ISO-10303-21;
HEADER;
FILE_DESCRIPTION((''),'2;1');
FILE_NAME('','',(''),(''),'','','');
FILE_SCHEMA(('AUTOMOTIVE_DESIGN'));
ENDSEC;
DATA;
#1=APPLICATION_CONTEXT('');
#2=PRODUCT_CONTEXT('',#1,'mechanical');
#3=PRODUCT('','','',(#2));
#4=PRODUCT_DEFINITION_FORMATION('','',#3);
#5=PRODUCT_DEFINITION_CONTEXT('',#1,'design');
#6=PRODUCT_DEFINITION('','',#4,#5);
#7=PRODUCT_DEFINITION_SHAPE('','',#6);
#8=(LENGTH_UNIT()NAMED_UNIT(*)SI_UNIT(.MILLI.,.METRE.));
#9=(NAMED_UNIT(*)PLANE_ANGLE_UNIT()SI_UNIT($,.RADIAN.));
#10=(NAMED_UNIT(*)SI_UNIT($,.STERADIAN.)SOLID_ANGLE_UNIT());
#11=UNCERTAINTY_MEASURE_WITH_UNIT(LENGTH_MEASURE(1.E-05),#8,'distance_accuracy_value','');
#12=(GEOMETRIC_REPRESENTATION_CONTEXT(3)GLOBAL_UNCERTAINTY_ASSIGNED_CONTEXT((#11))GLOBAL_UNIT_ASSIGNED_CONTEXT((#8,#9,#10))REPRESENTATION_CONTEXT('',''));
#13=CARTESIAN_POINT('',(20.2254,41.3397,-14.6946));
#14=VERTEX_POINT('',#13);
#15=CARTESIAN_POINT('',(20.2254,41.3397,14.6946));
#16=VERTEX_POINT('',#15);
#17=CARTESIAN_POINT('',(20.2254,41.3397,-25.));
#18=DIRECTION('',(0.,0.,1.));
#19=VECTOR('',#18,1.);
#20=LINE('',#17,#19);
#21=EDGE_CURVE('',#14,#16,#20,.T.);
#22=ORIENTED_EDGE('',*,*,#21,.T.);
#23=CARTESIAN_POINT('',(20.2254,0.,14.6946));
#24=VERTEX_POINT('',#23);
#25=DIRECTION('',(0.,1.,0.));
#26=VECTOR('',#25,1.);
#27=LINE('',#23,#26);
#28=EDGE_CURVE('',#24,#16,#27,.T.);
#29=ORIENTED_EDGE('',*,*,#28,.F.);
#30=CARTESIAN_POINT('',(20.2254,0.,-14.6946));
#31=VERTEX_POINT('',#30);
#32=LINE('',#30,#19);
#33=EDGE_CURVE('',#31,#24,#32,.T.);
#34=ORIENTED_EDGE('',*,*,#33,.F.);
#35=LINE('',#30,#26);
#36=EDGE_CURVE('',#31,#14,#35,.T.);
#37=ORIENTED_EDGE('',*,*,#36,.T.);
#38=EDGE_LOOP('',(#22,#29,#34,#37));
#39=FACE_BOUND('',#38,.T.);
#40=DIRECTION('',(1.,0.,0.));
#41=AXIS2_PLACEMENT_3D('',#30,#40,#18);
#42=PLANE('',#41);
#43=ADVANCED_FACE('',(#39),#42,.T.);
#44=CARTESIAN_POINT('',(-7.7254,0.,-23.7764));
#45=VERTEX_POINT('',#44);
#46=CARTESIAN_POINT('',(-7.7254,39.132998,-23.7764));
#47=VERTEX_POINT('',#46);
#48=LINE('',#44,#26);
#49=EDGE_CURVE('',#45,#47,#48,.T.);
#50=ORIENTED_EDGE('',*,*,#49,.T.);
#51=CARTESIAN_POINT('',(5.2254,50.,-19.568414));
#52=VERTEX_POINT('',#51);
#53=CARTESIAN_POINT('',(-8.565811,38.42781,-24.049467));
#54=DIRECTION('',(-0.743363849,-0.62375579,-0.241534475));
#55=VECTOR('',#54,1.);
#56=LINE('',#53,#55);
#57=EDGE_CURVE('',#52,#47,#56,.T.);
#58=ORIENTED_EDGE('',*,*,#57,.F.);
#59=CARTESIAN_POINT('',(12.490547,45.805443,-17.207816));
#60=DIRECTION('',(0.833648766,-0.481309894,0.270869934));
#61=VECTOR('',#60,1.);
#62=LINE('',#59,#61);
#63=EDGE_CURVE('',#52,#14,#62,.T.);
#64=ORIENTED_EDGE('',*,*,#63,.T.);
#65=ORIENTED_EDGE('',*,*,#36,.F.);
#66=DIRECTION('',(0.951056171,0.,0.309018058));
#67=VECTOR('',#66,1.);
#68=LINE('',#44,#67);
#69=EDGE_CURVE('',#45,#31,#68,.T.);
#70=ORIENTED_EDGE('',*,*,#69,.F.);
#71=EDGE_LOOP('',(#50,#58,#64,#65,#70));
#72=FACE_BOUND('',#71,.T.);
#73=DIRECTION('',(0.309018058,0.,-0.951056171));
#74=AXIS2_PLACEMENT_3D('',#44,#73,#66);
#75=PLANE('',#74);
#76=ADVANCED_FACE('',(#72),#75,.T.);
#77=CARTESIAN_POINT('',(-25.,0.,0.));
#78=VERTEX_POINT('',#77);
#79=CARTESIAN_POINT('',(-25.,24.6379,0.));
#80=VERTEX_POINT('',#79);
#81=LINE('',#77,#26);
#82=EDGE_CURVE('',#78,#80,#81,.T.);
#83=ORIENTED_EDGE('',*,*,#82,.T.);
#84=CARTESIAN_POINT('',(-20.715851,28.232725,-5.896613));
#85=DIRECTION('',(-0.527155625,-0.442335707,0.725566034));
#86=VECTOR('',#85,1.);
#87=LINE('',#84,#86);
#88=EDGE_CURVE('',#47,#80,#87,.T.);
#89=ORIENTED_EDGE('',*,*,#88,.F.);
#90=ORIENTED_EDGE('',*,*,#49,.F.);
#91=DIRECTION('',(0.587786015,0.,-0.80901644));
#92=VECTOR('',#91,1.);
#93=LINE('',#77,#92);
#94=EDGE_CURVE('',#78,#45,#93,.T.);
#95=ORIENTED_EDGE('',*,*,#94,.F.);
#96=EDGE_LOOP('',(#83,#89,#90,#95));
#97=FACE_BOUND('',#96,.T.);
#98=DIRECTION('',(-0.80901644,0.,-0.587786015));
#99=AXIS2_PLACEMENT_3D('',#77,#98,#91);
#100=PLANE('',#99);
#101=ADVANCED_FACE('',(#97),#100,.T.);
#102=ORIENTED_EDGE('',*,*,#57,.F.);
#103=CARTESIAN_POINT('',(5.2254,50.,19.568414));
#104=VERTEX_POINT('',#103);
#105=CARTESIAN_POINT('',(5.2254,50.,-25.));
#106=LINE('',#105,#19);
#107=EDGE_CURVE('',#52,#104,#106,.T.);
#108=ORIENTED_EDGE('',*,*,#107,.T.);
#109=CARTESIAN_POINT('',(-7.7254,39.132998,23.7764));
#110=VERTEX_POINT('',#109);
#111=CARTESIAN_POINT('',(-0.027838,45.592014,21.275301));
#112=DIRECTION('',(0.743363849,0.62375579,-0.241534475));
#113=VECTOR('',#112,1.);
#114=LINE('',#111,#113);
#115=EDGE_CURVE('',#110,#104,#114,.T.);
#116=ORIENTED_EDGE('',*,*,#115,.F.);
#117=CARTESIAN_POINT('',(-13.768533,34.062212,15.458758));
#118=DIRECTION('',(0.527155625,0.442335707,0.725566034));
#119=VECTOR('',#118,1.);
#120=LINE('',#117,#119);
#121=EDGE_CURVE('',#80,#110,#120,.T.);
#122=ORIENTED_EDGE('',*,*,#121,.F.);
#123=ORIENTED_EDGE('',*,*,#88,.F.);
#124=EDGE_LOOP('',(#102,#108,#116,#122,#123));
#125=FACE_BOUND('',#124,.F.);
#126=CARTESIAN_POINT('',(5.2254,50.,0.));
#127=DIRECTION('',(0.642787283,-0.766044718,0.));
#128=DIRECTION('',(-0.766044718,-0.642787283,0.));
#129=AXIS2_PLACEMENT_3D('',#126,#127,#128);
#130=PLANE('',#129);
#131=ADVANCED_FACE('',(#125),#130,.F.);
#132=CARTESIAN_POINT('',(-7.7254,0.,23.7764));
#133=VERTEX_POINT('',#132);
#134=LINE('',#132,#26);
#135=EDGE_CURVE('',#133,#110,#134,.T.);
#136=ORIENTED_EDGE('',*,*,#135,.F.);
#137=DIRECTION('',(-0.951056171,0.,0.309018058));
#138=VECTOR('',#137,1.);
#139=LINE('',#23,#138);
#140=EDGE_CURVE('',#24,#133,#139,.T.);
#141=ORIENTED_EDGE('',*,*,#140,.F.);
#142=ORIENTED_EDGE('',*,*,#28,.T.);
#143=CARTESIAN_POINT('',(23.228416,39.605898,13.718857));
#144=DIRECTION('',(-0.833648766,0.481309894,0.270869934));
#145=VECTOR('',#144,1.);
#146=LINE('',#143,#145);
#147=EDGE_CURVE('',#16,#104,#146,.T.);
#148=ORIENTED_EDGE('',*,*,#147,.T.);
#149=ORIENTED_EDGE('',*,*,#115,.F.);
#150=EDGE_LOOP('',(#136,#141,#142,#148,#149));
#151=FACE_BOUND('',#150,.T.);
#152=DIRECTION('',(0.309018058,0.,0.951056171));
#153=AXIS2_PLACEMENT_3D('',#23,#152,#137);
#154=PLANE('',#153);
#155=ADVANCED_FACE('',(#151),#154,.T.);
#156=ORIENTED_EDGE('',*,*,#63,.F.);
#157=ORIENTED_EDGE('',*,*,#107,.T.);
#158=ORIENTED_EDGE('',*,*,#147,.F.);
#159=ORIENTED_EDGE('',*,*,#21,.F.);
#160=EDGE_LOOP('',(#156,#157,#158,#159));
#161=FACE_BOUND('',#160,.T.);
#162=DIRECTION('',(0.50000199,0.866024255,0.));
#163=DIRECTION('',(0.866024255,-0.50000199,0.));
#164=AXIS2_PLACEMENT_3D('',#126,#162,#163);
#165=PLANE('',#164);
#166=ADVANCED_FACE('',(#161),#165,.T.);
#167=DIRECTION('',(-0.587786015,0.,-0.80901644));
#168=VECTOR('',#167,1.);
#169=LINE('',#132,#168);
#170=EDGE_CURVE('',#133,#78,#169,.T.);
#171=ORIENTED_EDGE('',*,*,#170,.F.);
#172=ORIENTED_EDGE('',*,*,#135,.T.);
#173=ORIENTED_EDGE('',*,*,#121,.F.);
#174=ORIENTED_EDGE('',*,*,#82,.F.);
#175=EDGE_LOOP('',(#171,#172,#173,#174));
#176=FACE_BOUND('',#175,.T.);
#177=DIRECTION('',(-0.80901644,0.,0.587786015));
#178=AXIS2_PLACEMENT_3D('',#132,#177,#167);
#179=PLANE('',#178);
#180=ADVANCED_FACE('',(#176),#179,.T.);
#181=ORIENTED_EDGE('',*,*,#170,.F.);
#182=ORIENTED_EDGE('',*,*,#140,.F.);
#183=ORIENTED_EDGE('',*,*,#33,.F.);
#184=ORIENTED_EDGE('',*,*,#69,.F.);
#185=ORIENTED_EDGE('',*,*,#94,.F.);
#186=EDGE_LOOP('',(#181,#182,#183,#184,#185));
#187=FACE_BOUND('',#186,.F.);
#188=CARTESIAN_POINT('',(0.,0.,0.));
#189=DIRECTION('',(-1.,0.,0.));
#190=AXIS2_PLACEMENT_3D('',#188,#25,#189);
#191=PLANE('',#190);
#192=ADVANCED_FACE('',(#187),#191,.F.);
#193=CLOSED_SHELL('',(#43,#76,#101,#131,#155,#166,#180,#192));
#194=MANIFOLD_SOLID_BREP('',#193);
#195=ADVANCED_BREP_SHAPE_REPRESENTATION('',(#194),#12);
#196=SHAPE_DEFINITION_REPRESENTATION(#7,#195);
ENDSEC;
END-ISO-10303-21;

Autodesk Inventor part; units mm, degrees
ref_plane "YZ Plane" through (0, 0, 0) normal (1, 0, 0) x (0, 1, 0)
ref_plane "XZ Plane" through (0, 0, 0) normal (0, 1, 0) x (-1, 0, 0)
ref_plane "XY Plane" through (0, 0, 0) normal (0, 0, 1) x (1, 0, 0)
sketch "Эскиз3" plane through (0, 0, 0) normal (1, 0, 0) x (0, 1, 0)
  line L0 (50, 7.7254) -> (50, -20.2254) projected
  line L1 (50, -6.25) -> (41.9313, -20.2254)
  line L2 (50, -6.25) -> (23.7781, 25)
  line L3 (50, 25) -> (50, 7.7254) projected
  line L4 (0, -20.2254) -> (50, -20.2254) projected
  line L5 (0, 25) -> (50, 25) projected
  line L6 (23.7781, 25) -> (25, -20.2254)
  point P0 (0, 0)
  dimension "d4" = 140
  dimension "d5" = 150
extrude "Выдавливание2" [suppressed]
sketch "Эскиз4" plane through (0, 0, 0) normal (1, 0, 0) x (0, 1, 0)
  line L0 (50, -20.2254) -> (50, -6.25) projected
  line L1 (50, -6.25) -> (41.9313, -20.2254)
  line L2 (0, -20.2254) -> (50, -20.2254) projected
  line L3 (50, -6.25) -> (66.1374, -6.25) construction
  point P0 (0, 0)
  dimension "d8" = 120
extrude "Выдавливание3" [suppressed]
sketch "Эскиз5" plane through (0, 0, 0) normal (0, 1, 0) x (-1, 0, 0)
  circle A0 centre (0, 0) radius 25
  line L0 (25, 0) -> (7.7254, -23.7764)
  line L1 (7.7254, -23.7764) -> (-20.2254, -14.6946)
  line L2 (-20.2254, -14.6946) -> (-20.2254, 14.6946)
  line L3 (-20.2254, 14.6946) -> (7.7254, 23.7764)
  line L4 (7.7254, 23.7764) -> (25, 0)
  dimension "d11" = 50
extrude "Выдавливание4" add sketch "Эскиз5" along normal blind 50 contours L0 L1 L2 L3 L4
sketch "Эскиз6" plane through (0, 50, 0) normal (0, 1, 0) x (1, 0, 0)
  line L0 (-7.7254, -23.7764) -> (20.2254, -14.6946) projected
  line L1 (5.2254, -19.5684) -> (5.2254, 19.5684)
  line L2 (20.2254, 14.6946) -> (-7.7254, 23.7764) projected
  line L3 (20.2254, -14.6946) -> (20.2254, 14.6946) projected
  point P0 (0, 0)
  dimension "d14" = 15
sketch "Эскиз7" plane through (0, 0, 0) normal (0, 0, 1) x (1, 0, 0)
  line L0 (-7.7254, 50) -> (20.2254, 50) projected
  line L1 (20.2254, 50) -> (5.2254, 50)
  line L2 (5.2254, 50) -> (20.2254, 41.3397)
  line L3 (20.2254, 0) -> (20.2254, 50) projected
  line L4 (5.2254, 50) -> (22.5459, 50) construction
  line L5 (20.2254, 41.3397) -> (20.2254, 50)
  point P0 (0, 0)
  dimension "d15" = 15
  dimension "d16" = 30
extrude "Выдавливание5" cut sketch "Эскиз7" along normal mid plane 50
sketch "Эскиз8" plane through (0, 0, 0) normal (0, 0, 1) x (1, 0, 0)
  line L0 (-25, 50) -> (-7.7254, 50) projected
  line L1 (-25, 50) -> (5.2254, 50)
  line L2 (5.2254, 50) -> (-25, 24.6379)
  line L3 (-25, 0) -> (-25, 50) projected
  line L4 (-25, 24.6379) -> (-25, 50)
  point P0 (0, 0)
  dimension "d19" = 40
extrude "Выдавливание6" cut sketch "Эскиз8" along normal mid plane 50
properties part number "Призма"
